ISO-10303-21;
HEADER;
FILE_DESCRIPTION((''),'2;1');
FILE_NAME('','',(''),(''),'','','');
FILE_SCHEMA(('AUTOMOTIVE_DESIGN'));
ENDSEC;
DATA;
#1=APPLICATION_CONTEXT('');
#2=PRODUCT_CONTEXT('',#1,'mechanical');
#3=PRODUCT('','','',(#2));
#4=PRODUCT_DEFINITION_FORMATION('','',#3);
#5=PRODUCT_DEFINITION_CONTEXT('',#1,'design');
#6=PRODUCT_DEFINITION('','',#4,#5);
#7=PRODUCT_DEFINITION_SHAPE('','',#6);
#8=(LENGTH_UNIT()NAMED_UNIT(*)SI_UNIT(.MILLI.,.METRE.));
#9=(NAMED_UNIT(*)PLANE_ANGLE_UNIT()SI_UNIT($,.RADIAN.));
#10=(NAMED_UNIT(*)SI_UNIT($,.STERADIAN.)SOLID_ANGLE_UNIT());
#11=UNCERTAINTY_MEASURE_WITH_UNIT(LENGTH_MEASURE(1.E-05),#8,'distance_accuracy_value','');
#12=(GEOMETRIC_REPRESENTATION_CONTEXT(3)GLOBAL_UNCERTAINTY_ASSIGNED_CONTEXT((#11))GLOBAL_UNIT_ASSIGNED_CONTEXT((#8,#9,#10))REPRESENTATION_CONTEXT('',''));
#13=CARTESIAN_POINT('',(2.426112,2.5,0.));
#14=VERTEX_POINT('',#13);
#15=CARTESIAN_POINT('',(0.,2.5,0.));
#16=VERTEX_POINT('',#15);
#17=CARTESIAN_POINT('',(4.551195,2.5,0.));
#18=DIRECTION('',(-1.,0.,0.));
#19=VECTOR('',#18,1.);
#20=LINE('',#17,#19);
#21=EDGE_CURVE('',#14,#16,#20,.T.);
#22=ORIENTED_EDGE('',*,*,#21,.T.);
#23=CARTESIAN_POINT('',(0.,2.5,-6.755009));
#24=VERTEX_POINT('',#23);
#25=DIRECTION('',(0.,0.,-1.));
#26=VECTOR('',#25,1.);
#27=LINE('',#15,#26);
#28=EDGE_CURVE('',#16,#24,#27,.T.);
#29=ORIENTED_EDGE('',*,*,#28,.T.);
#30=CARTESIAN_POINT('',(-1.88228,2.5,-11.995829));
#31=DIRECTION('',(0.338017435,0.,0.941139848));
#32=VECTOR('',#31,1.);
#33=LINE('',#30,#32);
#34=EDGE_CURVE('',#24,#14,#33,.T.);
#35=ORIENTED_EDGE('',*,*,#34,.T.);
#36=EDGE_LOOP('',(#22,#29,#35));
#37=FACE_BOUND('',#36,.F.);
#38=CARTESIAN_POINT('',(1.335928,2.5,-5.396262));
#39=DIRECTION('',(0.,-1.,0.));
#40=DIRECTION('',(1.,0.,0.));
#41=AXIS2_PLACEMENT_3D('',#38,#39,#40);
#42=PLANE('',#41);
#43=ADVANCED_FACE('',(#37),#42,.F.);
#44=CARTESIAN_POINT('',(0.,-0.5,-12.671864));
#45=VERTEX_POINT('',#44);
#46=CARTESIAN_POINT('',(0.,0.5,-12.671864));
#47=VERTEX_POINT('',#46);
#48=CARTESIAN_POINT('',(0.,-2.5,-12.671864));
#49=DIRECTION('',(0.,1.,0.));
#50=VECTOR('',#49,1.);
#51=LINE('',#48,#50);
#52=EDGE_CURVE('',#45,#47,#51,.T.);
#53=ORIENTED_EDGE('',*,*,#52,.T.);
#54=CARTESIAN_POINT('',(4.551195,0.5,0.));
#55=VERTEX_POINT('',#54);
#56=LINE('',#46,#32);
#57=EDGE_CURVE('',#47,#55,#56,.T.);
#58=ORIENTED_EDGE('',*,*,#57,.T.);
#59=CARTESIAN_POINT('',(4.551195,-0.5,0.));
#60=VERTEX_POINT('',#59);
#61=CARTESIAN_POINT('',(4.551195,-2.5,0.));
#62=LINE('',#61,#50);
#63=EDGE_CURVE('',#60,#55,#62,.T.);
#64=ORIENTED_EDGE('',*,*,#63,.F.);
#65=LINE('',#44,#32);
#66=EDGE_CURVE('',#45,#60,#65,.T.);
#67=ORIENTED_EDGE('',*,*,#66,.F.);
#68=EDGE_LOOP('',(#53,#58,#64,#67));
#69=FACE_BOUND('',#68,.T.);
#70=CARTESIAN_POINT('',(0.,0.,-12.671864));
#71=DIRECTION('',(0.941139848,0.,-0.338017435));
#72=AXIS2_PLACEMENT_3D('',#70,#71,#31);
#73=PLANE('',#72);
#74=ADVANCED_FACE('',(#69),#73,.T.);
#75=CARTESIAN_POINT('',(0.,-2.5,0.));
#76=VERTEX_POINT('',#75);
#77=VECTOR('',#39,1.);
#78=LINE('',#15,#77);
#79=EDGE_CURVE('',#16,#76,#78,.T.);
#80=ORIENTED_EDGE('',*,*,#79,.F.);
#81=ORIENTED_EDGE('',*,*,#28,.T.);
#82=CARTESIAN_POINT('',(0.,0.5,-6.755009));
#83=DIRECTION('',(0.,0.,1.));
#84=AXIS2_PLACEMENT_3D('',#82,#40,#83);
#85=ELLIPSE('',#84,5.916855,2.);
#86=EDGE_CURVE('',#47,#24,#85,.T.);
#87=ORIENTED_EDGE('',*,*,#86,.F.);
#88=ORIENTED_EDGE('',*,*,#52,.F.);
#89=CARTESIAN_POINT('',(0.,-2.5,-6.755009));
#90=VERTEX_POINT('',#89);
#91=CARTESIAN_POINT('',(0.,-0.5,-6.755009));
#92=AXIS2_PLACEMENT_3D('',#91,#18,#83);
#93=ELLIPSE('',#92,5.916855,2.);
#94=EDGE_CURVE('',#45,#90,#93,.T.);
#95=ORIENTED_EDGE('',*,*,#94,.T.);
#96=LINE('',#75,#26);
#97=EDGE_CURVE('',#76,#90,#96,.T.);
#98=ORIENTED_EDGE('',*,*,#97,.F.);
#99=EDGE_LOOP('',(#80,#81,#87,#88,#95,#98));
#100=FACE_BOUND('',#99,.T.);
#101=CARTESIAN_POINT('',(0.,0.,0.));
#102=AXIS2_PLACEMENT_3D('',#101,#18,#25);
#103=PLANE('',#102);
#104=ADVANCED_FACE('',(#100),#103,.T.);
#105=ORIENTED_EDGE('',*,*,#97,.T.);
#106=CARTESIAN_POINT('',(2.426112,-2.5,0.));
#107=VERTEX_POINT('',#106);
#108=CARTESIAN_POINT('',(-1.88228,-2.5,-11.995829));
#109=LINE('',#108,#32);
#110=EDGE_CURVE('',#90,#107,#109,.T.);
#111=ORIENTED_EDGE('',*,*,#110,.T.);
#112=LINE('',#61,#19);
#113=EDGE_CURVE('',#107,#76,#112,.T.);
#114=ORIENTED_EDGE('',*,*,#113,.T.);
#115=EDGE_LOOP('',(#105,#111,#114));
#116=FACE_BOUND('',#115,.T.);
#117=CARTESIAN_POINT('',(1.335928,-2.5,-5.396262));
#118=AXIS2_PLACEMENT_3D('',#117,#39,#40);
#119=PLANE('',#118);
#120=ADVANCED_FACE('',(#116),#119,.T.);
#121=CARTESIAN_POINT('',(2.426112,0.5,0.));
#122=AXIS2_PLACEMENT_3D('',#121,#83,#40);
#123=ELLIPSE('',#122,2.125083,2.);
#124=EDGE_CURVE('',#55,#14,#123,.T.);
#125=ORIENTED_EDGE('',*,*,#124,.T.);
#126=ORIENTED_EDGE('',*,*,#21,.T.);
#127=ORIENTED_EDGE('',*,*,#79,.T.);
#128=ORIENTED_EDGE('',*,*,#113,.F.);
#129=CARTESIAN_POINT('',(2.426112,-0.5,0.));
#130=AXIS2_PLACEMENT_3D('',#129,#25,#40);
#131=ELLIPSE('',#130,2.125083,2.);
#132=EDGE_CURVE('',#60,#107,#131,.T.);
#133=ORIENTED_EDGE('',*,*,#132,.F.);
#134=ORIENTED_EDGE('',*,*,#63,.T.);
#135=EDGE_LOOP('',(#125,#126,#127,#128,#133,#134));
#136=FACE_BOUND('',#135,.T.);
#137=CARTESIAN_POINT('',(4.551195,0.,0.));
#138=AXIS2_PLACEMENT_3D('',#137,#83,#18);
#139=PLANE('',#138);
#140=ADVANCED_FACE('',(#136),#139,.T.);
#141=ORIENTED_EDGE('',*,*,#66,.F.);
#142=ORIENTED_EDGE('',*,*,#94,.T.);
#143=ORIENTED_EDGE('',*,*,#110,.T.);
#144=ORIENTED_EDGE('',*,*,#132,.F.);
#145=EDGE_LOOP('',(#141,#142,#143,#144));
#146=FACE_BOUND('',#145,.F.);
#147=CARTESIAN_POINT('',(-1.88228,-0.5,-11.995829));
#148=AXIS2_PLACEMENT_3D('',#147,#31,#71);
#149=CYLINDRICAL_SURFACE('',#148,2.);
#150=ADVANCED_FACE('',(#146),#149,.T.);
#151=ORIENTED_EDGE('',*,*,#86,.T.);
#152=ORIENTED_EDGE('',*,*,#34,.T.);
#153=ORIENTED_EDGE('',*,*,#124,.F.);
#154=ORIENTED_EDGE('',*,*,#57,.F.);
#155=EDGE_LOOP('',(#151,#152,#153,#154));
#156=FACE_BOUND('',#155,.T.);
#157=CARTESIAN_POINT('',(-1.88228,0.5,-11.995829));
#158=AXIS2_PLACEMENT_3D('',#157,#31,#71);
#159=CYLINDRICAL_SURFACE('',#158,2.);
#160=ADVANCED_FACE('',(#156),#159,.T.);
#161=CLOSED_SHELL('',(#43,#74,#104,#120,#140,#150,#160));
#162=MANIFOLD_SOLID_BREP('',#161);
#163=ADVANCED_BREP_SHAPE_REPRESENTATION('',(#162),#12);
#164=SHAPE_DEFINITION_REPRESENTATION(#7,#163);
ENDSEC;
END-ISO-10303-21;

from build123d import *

# Parameters (mm, degrees)
F1_DEPTH = 2.5
F2_R     = 2


with BuildPart() as f1:
    # F0 (on Front) → F1 (new body, symmetric)
    with BuildSketch(Plane.XZ):
        Polygon((4.551195, 0), (0, 0), (0, -12.671864), align=None)
    extrude(amount=F1_DEPTH, both=True)

    # F2
    f2_edges = [f1.edges().sort_by_distance(p)[0] for p in [
        (2.275598, 2.5, -6.335932),
        (2.275598, -2.5, -6.335932),
    ]]
    fillet(f2_edges, radius=F2_R)


solid = f1.part
